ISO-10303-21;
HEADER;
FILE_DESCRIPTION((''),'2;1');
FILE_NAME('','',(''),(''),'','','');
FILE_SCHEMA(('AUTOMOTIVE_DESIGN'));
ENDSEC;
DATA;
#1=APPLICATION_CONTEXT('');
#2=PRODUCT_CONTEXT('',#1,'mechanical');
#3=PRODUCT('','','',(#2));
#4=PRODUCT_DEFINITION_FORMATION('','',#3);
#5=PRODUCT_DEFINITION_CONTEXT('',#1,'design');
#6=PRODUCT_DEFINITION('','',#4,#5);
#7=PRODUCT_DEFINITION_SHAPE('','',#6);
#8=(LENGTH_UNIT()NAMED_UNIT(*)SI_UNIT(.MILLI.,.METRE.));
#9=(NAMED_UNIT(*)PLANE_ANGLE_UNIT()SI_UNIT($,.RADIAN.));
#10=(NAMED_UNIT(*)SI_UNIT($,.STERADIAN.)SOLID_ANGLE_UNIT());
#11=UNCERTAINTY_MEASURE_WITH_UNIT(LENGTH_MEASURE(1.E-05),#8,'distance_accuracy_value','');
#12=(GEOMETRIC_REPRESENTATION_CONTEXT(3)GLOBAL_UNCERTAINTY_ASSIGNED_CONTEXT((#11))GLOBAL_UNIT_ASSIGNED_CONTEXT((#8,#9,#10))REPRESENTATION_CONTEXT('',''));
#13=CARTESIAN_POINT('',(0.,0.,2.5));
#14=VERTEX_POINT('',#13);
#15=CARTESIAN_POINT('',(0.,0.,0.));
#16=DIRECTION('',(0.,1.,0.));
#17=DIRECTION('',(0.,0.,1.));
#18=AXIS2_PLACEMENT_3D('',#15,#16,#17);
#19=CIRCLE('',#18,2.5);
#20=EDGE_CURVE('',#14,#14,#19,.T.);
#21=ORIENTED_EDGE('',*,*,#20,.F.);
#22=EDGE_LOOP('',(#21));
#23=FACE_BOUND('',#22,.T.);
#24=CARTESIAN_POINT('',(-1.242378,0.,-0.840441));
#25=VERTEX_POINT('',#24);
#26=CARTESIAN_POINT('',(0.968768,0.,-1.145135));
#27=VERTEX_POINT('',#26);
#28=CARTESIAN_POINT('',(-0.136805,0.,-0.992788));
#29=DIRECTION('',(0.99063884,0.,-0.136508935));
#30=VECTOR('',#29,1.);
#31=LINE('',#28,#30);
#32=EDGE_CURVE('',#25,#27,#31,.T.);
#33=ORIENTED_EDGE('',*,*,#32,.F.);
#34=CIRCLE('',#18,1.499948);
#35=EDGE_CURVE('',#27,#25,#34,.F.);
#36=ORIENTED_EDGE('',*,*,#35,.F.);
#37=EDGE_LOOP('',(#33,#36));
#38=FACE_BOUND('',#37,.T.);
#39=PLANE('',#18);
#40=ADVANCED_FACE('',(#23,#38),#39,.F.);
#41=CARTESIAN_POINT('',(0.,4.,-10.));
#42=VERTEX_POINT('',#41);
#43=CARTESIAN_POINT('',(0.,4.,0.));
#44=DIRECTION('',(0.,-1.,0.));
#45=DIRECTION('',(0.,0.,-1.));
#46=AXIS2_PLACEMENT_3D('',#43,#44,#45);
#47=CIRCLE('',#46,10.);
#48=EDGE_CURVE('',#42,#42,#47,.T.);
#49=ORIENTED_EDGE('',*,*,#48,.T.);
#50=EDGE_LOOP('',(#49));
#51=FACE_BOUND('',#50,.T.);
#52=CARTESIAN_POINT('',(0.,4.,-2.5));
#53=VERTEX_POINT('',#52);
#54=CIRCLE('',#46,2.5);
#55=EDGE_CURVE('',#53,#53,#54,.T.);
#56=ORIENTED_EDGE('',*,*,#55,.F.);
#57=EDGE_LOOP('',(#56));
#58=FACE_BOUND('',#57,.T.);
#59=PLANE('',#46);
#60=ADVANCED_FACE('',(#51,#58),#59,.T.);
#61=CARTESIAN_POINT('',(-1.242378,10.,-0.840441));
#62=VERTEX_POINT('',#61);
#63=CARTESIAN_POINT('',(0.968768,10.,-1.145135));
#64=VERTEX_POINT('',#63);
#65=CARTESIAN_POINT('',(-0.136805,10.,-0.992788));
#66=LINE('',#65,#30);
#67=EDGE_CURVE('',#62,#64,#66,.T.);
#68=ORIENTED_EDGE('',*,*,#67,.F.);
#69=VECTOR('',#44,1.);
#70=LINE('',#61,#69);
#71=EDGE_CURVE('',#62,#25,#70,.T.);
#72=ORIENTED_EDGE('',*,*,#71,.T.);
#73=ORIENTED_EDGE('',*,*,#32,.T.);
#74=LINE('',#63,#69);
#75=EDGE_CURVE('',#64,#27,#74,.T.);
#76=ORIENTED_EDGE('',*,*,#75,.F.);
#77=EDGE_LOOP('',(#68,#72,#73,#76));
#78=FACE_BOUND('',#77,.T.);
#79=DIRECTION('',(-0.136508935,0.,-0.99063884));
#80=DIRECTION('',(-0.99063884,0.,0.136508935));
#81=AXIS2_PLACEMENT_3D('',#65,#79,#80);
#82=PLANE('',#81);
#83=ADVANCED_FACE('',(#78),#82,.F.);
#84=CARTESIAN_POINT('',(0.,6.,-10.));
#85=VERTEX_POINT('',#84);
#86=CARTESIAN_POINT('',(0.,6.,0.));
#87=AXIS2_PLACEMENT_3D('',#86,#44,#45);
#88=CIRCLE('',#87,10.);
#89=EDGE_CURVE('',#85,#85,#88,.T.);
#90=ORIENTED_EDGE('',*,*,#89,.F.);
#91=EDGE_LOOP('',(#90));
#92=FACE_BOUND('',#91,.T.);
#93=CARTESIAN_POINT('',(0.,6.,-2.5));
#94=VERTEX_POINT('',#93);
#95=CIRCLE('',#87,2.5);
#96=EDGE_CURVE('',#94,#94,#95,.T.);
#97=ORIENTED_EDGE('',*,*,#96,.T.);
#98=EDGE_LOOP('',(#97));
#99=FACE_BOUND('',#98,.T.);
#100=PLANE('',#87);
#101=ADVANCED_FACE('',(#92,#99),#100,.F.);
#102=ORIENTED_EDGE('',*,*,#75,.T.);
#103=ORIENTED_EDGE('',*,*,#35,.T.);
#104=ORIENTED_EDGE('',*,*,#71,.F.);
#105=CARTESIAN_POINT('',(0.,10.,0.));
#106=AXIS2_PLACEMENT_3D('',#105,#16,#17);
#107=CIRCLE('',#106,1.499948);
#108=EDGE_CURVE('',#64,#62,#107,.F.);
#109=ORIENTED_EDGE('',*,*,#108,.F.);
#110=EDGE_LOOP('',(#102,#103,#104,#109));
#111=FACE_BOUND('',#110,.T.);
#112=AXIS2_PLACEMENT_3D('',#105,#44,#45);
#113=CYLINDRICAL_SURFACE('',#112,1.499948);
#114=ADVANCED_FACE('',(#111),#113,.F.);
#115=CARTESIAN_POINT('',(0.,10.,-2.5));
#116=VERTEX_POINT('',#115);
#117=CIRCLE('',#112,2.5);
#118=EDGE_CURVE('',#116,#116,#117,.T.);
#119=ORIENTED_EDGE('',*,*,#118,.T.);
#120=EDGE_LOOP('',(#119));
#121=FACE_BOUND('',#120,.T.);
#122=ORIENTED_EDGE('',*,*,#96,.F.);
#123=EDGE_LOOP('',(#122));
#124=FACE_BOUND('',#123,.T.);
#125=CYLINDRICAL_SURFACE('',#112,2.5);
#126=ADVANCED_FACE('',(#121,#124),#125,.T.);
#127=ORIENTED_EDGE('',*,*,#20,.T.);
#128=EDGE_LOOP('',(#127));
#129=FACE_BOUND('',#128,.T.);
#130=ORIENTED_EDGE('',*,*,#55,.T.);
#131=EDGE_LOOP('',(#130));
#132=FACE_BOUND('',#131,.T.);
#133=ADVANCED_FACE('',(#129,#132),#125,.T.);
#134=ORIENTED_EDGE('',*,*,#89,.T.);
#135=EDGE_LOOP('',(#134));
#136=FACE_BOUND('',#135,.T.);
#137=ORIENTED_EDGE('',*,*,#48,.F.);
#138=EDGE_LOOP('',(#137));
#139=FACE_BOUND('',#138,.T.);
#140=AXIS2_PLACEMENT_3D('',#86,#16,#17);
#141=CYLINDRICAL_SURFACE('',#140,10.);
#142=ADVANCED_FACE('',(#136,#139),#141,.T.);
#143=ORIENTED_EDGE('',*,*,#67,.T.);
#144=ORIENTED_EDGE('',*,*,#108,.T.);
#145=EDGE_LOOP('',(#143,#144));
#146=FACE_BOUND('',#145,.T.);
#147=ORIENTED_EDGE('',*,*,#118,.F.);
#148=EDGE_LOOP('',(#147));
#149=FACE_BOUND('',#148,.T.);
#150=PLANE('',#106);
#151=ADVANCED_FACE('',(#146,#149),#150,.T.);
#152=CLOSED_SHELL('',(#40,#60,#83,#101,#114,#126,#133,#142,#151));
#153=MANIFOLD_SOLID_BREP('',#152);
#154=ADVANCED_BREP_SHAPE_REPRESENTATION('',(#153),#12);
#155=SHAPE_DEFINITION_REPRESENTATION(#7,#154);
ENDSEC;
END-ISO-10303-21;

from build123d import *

# Parameters (mm, degrees)
SKETCH1_R           = 2.5
BOSS_EXTRUDE1_DEPTH = 10
SKETCH3_R           = 10
SKETCH3_R_2         = 2.5
BOSS_EXTRUDE2_DEPTH = 4
SKETCH4_R           = 10
SKETCH4_R_2         = 2.5
BOSS_EXTRUDE3_DEPTH = 2
SKETCH4_2_R         = 10
SKETCH4_2_R_2       = 2.5
CUT_EXTRUDE1_DEPTH  = 4


with BuildPart() as part:
    # Sketch1 → Boss-Extrude1 (new body)
    with BuildSketch(Plane(origin=(0, 0, 0), x_dir=(1, 0, 0), z_dir=(0, 1, 0))):
        Circle(SKETCH1_R)
        with BuildLine():
            Line((-1.242447099, 0.840431559), (0.968768208, 1.14513458))
            ThreePointArc((0.968768208, 1.14513458), (0.204756352, -1.485907091), (-1.242447099, 0.840431559))
        make_face(mode=Mode.SUBTRACT)
    extrude(amount=BOSS_EXTRUDE1_DEPTH)

    # Sketch3 → Boss-Extrude2 (add)
    with BuildSketch(Plane(origin=(0, 10, 0), x_dir=(1, 0, 0), z_dir=(0, 1, 0))):
        Circle(SKETCH3_R)
        Circle(SKETCH3_R_2, mode=Mode.SUBTRACT)
    extrude(amount=-BOSS_EXTRUDE2_DEPTH)

    # Sketch4 → Boss-Extrude3 (add)
    with BuildSketch(Plane.XZ.offset(-6)):
        Circle(SKETCH4_R)
        Circle(SKETCH4_R_2, mode=Mode.SUBTRACT)
    extrude(amount=BOSS_EXTRUDE3_DEPTH)

    # Sketch4<2> → Cut-Extrude1 (cut)
    with BuildSketch(Plane.XZ.offset(-6)):
        Circle(SKETCH4_2_R)
        Circle(SKETCH4_2_R_2, mode=Mode.SUBTRACT)
    extrude(amount=-CUT_EXTRUDE1_DEPTH, mode=Mode.SUBTRACT)


solid = part.part
